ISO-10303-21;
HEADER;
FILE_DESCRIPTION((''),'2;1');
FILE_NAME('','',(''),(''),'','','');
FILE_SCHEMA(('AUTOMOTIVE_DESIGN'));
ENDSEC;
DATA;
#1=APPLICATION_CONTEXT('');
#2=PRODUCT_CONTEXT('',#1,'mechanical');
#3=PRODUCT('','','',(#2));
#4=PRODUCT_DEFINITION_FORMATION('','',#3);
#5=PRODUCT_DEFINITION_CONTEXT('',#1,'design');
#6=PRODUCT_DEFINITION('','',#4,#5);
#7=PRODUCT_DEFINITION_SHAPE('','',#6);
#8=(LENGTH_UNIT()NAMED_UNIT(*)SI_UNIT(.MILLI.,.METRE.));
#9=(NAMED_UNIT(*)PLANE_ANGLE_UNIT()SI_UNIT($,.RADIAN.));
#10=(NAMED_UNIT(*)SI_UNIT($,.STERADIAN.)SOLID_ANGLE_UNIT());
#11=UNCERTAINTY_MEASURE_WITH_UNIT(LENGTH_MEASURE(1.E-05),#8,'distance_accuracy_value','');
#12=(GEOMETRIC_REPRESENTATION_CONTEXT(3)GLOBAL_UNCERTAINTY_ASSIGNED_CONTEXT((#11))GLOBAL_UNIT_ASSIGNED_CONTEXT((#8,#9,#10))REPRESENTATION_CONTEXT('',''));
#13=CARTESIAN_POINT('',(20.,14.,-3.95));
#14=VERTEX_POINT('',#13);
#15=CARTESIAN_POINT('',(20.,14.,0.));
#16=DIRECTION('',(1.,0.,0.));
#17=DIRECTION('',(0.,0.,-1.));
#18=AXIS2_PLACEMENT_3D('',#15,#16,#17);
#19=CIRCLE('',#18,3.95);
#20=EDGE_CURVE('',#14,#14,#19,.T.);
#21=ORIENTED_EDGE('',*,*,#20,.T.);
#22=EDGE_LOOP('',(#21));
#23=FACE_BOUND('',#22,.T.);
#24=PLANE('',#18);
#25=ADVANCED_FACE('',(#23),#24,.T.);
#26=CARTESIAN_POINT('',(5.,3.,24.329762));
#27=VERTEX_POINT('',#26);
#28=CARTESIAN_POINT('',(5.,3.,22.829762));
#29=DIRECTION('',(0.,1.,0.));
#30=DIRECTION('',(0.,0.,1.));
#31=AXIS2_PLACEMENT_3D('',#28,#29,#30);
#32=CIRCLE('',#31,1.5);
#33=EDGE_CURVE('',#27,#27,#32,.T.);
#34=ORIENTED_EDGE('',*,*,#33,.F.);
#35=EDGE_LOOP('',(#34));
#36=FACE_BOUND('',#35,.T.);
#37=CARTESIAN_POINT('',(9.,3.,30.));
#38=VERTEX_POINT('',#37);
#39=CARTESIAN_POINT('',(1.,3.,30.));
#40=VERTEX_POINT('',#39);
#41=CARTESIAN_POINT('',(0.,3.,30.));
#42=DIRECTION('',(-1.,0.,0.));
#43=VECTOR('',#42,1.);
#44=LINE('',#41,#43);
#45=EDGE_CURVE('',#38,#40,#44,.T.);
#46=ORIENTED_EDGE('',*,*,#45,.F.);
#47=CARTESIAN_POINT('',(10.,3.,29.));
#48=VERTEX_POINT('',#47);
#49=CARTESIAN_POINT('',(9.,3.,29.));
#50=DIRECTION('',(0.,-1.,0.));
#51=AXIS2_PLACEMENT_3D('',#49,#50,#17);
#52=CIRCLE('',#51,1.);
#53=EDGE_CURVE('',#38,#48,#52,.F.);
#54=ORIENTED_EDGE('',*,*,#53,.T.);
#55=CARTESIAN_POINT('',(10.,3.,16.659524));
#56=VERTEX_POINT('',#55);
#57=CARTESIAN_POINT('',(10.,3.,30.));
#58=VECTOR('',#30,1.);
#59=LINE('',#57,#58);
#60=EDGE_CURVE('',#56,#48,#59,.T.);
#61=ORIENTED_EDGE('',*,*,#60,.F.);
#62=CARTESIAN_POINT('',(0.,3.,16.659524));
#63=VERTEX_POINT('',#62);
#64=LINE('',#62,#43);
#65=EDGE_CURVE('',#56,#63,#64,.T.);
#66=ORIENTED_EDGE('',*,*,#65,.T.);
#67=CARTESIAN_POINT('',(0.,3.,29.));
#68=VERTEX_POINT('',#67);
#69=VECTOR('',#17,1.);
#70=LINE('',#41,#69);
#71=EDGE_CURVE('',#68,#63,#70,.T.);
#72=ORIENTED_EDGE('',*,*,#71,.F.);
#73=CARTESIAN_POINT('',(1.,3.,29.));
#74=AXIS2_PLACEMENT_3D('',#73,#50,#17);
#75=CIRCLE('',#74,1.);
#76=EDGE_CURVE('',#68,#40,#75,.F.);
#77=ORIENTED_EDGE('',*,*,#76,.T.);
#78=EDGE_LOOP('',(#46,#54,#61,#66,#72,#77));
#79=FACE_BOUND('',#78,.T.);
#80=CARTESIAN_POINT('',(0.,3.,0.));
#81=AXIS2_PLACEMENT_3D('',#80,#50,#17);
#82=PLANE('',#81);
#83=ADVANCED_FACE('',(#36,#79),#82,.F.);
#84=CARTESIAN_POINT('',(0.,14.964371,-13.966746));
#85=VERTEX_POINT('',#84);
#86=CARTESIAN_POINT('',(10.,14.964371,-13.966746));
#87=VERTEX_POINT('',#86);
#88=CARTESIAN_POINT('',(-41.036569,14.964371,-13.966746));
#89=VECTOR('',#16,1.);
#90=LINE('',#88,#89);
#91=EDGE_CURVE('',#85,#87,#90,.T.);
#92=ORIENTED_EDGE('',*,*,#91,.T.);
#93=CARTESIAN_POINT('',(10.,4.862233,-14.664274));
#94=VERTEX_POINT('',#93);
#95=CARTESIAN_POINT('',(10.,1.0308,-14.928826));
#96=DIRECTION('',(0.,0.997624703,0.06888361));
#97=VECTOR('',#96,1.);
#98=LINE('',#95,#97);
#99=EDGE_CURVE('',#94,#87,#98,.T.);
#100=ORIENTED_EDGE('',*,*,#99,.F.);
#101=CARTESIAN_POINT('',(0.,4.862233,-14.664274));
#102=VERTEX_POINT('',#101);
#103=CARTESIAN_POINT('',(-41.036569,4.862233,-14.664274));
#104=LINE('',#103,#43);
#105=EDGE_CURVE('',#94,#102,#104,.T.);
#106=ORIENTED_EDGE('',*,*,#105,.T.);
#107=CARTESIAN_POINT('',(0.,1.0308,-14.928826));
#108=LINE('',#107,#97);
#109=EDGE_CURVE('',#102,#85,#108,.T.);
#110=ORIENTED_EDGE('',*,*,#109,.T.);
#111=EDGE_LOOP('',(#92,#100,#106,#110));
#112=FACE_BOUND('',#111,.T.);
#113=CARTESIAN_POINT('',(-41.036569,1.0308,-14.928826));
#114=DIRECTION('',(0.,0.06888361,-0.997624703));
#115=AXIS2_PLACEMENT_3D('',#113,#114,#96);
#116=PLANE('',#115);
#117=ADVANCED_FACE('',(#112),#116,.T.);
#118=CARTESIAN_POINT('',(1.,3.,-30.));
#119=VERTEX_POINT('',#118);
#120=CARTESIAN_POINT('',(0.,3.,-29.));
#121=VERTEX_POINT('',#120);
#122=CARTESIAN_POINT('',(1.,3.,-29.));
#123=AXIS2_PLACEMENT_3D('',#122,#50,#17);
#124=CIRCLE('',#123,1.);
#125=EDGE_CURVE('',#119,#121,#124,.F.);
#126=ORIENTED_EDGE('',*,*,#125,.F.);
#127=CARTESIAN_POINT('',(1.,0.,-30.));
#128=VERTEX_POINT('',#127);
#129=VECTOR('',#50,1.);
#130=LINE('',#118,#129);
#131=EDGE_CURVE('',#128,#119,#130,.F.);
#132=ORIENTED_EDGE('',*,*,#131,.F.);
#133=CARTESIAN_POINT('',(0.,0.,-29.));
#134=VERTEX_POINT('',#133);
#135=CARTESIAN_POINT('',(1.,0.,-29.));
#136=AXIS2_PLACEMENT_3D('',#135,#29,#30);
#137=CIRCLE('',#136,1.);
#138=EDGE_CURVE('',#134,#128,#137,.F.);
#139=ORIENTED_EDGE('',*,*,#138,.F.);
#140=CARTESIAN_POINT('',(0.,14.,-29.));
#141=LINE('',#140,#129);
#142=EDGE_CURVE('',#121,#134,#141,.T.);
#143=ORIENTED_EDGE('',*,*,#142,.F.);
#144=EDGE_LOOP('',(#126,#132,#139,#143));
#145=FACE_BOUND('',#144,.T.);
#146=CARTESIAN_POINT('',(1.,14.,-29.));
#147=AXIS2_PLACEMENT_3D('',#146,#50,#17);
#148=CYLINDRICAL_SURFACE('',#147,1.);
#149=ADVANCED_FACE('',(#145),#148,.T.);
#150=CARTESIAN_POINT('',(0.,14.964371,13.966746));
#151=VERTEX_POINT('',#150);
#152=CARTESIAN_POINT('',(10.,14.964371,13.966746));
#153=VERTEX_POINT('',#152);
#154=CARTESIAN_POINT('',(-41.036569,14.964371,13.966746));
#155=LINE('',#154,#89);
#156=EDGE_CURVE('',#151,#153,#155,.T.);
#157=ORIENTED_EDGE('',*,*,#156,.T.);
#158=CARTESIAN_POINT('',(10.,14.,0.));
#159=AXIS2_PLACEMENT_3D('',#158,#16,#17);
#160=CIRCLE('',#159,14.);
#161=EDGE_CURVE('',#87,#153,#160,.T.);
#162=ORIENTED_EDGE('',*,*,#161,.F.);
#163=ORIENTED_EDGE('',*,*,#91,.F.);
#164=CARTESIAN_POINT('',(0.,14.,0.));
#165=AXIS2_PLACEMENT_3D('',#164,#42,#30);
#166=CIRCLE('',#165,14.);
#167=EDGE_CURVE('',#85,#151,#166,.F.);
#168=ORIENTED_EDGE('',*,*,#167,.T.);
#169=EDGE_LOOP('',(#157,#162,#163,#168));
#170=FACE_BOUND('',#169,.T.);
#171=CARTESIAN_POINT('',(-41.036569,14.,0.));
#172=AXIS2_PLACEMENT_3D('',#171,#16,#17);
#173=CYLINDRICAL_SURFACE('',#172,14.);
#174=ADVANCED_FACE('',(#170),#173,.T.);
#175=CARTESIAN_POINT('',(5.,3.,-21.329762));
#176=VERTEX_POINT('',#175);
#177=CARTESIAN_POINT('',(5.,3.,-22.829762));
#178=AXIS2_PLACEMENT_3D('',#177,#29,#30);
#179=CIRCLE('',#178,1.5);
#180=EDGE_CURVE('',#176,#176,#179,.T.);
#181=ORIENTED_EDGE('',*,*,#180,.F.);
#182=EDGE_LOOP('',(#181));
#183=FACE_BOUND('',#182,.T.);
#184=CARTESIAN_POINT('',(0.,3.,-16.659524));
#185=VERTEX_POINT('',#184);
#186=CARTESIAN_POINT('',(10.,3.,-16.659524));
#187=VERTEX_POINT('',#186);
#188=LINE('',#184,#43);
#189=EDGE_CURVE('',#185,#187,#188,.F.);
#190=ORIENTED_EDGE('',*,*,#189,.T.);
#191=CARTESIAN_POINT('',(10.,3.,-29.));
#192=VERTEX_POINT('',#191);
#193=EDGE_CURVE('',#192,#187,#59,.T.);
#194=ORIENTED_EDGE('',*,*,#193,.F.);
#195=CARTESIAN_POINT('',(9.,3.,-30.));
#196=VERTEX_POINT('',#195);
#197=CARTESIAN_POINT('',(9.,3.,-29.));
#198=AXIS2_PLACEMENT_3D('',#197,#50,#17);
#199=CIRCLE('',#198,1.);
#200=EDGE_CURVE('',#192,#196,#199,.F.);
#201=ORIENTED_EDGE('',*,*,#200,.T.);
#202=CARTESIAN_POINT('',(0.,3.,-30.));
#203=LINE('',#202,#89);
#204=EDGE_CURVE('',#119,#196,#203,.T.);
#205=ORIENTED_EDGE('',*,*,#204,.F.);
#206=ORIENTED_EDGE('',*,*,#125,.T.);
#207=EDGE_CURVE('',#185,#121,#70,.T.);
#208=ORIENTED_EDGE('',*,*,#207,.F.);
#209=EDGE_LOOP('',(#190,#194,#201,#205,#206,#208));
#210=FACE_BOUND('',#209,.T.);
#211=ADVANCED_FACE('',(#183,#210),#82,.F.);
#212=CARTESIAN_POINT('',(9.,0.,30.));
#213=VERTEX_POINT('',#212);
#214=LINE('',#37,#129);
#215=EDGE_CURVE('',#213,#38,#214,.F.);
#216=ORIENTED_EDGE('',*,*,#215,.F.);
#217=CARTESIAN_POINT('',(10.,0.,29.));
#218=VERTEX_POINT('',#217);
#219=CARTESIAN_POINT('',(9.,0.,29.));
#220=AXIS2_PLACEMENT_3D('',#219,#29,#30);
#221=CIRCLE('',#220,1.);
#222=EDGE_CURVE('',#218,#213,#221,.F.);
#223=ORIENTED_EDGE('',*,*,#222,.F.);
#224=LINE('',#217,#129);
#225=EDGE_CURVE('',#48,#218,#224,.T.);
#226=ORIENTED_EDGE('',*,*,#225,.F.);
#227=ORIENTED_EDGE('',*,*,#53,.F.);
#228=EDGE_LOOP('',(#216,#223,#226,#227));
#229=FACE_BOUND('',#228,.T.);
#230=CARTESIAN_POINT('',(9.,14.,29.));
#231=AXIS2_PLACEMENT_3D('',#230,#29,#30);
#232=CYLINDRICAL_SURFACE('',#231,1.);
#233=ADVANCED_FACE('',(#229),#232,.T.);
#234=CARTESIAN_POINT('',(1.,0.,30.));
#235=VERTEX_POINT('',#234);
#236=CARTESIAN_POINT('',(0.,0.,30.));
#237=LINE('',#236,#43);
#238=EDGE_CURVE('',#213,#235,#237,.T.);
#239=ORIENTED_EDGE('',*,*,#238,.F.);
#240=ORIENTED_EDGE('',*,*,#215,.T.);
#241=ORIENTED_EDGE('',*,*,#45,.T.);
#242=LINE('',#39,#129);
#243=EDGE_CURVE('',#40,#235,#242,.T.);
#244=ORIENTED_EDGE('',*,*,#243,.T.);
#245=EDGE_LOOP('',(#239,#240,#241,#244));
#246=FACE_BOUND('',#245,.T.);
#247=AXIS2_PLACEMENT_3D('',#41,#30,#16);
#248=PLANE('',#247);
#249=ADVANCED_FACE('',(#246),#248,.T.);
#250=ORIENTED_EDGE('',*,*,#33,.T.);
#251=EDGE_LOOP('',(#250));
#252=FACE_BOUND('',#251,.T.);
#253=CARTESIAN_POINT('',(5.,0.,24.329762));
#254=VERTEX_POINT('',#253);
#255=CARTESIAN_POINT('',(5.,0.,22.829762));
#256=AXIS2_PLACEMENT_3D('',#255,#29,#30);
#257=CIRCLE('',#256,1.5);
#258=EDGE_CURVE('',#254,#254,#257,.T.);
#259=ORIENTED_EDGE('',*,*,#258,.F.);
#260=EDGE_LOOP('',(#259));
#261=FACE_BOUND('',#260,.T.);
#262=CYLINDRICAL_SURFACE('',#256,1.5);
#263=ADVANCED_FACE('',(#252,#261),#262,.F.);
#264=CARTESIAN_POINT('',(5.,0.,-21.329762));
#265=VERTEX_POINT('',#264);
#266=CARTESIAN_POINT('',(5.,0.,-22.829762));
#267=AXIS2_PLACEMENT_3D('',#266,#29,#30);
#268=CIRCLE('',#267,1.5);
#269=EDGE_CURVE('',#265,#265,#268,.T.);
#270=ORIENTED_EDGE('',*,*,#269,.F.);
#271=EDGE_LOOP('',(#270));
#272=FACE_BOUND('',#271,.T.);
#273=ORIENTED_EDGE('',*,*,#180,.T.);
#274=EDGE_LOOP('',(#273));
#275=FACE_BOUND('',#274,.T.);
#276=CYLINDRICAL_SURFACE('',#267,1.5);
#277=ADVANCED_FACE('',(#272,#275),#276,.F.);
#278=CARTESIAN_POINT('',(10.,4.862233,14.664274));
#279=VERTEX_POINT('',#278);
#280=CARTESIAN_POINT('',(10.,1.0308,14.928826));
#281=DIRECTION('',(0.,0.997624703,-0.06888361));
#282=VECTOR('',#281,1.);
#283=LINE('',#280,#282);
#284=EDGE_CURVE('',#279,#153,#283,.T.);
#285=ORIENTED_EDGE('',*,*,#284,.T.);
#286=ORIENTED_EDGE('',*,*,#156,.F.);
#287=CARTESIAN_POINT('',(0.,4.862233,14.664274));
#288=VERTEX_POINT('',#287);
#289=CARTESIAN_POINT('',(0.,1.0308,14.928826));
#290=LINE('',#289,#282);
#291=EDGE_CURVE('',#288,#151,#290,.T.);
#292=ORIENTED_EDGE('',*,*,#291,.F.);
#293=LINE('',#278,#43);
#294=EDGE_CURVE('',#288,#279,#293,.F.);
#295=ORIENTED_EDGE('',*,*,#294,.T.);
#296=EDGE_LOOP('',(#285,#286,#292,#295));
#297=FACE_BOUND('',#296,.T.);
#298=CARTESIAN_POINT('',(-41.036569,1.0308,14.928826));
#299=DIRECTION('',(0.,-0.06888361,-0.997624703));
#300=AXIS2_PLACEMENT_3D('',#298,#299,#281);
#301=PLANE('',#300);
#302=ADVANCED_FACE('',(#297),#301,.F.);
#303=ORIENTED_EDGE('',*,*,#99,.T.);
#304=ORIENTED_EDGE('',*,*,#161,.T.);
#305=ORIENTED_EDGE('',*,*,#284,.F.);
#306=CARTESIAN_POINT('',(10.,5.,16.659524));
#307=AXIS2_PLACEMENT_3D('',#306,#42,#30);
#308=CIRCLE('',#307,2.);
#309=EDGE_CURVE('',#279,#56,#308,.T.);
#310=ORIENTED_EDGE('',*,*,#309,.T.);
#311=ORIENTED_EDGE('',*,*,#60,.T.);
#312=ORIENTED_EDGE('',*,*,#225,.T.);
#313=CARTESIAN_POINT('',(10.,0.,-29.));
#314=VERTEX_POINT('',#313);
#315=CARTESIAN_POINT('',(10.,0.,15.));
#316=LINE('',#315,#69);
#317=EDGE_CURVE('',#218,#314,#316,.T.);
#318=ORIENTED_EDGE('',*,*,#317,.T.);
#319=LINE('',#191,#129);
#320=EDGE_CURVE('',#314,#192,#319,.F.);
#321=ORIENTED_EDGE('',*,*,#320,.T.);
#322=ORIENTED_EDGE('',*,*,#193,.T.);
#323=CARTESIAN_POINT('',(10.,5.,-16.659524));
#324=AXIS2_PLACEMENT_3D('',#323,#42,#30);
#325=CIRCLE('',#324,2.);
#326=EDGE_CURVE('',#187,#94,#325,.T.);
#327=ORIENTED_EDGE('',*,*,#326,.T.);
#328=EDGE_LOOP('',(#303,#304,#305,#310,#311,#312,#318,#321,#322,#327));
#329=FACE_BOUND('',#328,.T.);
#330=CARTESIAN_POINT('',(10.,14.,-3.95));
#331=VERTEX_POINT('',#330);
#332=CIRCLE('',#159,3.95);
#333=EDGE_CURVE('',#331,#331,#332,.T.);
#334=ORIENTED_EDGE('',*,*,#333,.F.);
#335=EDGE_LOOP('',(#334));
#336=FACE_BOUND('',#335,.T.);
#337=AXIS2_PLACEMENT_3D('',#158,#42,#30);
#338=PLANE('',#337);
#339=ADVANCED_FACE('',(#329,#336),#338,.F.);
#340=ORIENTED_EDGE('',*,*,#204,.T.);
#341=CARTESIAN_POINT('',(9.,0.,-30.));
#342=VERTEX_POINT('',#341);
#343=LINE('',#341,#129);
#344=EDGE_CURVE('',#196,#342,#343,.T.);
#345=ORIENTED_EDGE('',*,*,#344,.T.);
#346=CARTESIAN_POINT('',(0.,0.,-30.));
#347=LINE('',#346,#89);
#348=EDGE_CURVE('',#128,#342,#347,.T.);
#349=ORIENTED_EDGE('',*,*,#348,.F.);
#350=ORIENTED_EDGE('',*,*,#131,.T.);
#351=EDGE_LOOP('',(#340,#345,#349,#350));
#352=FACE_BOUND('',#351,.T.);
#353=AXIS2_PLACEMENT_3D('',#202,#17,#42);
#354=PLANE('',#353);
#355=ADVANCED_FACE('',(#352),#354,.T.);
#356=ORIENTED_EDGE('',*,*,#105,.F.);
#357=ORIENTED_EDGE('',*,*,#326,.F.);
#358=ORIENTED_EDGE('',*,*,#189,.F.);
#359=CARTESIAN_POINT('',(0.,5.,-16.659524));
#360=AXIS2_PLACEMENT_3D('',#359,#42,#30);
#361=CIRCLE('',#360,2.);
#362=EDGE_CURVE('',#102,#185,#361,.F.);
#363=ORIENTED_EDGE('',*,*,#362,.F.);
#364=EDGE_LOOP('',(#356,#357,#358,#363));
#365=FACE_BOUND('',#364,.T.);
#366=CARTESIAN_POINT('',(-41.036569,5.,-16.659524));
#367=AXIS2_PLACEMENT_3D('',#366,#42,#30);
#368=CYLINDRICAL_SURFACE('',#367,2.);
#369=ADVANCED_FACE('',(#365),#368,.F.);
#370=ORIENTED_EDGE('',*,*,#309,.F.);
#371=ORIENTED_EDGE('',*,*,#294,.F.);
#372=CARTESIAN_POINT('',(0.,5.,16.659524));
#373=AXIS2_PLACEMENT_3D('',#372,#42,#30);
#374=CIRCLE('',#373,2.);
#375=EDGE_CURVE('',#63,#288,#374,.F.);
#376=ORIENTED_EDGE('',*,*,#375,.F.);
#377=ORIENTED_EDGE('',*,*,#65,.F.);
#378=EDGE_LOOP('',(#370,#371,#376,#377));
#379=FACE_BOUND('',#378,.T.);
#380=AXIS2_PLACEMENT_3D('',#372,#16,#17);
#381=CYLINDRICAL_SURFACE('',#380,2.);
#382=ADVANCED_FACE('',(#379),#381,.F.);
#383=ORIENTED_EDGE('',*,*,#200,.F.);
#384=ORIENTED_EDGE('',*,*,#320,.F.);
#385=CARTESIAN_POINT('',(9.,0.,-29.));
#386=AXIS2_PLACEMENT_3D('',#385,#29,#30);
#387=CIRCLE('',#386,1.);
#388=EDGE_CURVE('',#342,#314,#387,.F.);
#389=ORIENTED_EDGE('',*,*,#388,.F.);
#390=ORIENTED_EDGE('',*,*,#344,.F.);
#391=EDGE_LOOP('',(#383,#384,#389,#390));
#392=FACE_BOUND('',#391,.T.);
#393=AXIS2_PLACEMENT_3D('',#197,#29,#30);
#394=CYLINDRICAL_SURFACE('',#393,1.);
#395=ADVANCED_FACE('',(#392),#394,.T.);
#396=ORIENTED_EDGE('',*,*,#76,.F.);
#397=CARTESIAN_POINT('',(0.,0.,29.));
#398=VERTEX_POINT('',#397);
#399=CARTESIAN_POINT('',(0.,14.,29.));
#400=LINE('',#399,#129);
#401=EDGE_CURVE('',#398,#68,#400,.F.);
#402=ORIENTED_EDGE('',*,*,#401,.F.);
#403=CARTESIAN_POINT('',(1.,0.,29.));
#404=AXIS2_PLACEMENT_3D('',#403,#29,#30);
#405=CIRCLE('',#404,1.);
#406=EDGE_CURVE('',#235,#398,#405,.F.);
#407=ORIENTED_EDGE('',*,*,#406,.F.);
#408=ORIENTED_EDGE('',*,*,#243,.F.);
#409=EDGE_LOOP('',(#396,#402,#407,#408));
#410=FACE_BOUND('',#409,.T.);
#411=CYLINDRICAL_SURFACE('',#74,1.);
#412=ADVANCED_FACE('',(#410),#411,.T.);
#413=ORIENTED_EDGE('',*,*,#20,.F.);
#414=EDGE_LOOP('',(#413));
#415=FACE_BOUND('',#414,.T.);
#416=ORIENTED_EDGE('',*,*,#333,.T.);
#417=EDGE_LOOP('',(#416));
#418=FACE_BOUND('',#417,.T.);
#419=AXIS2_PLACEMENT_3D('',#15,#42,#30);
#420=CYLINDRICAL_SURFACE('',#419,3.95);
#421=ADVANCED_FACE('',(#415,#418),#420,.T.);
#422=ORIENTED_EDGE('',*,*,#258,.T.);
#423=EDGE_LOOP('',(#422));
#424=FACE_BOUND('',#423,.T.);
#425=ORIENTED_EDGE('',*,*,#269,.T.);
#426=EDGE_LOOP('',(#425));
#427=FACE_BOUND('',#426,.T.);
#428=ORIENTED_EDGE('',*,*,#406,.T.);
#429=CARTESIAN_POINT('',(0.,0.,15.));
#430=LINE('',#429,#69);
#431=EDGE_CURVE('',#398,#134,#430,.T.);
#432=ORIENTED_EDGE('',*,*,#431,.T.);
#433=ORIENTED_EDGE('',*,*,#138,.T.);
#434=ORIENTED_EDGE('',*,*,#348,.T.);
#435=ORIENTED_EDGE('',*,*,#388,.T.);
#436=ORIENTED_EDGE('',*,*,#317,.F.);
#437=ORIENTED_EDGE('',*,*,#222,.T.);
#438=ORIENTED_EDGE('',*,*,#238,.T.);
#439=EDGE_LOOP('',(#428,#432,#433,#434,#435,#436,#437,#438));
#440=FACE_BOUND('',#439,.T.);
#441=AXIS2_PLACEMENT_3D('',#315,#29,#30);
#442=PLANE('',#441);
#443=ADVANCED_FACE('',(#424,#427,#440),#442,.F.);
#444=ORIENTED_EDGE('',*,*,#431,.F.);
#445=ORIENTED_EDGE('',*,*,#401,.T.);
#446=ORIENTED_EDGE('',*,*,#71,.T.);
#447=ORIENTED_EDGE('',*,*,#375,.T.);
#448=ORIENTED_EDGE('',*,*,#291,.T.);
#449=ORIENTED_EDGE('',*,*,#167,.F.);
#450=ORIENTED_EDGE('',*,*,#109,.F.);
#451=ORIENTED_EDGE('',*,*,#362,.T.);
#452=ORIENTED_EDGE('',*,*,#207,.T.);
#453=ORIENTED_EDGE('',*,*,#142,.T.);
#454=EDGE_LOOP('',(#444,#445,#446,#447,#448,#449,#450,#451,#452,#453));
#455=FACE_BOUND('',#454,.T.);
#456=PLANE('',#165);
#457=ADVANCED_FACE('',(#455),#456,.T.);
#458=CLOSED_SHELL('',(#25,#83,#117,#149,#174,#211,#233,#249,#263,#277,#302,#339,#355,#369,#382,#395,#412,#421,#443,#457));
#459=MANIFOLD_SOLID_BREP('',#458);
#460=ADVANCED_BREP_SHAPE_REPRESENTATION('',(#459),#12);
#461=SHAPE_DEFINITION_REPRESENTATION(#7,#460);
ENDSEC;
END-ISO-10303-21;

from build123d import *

# Parameters (mm, degrees)
BOSS_EXTRUDE1_DEPTH = 10
SKETCH2_R           = 3.95
BOSS_EXTRUDE2_DEPTH = 10
BOSS_EXTRUDE3_DEPTH = 10
SKETCH5_W           = 10
SKETCH5_H           = 60
BOSS_EXTRUDE4_DEPTH = 3
FILLET1_R           = 1
FILLET2_R           = 2
SKETCH7_R           = 1.5
CUT_EXTRUDE1_DEPTH  = 3


with BuildPart() as part:
    # Sketch1 → Boss-Extrude1 (new body)
    with BuildSketch(Plane(origin=(0, 0, 0), x_dir=(0, 0, -1), z_dir=(1, 0, 0))):
        with BuildLine():
            Line((-15, 0), (15, 0))
            Line((15, 0), (9.520917343, 17.058125725))
            ThreePointArc((9.520917343, 17.058125725), (0, 24), (-9.520917343, 17.058125725))
            Line((-9.520917343, 17.058125725), (-15, 0))
        make_face()
    extrude(amount=BOSS_EXTRUDE1_DEPTH)

    # Sketch2 → Boss-Extrude2 (add)
    with BuildSketch(Plane(origin=(10, 0, 0), x_dir=(0, 0, -1), z_dir=(1, 0, 0))):
        with Locations((0, 14)):
            Circle(SKETCH2_R)
    extrude(amount=BOSS_EXTRUDE2_DEPTH)

    # Sketch4 → Boss-Extrude3 (add)
    with BuildSketch(Plane(origin=(10, 0, 0), x_dir=(0, 0, -1), z_dir=(1, 0, 0))):
        with BuildLine():
            Line((9.520917343, 17.058125725), (15, 0))
            Line((15, 0), (13.966745843, 14.964370546))
            ThreePointArc((13.966745843, 14.964370546), (0, 28), (-13.966745843, 14.964370546))
            Line((-13.966745843, 14.964370546), (-15, 0))
            Line((-15, 0), (-9.520917343, 17.058125725))
            ThreePointArc((-9.520917343, 17.058125725), (0, 24), (9.520917343, 17.058125725))
        make_face()
    extrude(amount=-BOSS_EXTRUDE3_DEPTH)

    # Sketch5 → Boss-Extrude4 (add)
    with BuildSketch(Plane.XZ):
        with Locations((5, 0)):
            Rectangle(SKETCH5_W, SKETCH5_H)
    extrude(amount=-BOSS_EXTRUDE4_DEPTH)

    # Fillet1
    fillet1_edges = [part.edges().sort_by_distance(p)[0] for p in [
        (10, 1.5, 30),
        (0, 1.5, -30),
        (0, 1.5, 30),
        (10, 1.5, -30),
    ]]
    fillet(fillet1_edges, radius=FILLET1_R)

    # Fillet2
    fillet2_edges = [part.edges().sort_by_distance(p)[0] for p in [
        (5, 3, -14.792857143),
        (5, 3, 14.792857143),
    ]]
    fillet(fillet2_edges, radius=FILLET2_R)

    # Sketch7 → Cut-Extrude1 (cut)
    with BuildSketch(Plane(origin=(0, 3, 0), x_dir=(1, 0, 0), z_dir=(0, 1, 0))):
        with Locations((5, 22.829761905)):
            Circle(SKETCH7_R)
        with Locations((5, -22.829761905)):
            Circle(SKETCH7_R)
    extrude(amount=-CUT_EXTRUDE1_DEPTH, mode=Mode.SUBTRACT)


solid = part.part
